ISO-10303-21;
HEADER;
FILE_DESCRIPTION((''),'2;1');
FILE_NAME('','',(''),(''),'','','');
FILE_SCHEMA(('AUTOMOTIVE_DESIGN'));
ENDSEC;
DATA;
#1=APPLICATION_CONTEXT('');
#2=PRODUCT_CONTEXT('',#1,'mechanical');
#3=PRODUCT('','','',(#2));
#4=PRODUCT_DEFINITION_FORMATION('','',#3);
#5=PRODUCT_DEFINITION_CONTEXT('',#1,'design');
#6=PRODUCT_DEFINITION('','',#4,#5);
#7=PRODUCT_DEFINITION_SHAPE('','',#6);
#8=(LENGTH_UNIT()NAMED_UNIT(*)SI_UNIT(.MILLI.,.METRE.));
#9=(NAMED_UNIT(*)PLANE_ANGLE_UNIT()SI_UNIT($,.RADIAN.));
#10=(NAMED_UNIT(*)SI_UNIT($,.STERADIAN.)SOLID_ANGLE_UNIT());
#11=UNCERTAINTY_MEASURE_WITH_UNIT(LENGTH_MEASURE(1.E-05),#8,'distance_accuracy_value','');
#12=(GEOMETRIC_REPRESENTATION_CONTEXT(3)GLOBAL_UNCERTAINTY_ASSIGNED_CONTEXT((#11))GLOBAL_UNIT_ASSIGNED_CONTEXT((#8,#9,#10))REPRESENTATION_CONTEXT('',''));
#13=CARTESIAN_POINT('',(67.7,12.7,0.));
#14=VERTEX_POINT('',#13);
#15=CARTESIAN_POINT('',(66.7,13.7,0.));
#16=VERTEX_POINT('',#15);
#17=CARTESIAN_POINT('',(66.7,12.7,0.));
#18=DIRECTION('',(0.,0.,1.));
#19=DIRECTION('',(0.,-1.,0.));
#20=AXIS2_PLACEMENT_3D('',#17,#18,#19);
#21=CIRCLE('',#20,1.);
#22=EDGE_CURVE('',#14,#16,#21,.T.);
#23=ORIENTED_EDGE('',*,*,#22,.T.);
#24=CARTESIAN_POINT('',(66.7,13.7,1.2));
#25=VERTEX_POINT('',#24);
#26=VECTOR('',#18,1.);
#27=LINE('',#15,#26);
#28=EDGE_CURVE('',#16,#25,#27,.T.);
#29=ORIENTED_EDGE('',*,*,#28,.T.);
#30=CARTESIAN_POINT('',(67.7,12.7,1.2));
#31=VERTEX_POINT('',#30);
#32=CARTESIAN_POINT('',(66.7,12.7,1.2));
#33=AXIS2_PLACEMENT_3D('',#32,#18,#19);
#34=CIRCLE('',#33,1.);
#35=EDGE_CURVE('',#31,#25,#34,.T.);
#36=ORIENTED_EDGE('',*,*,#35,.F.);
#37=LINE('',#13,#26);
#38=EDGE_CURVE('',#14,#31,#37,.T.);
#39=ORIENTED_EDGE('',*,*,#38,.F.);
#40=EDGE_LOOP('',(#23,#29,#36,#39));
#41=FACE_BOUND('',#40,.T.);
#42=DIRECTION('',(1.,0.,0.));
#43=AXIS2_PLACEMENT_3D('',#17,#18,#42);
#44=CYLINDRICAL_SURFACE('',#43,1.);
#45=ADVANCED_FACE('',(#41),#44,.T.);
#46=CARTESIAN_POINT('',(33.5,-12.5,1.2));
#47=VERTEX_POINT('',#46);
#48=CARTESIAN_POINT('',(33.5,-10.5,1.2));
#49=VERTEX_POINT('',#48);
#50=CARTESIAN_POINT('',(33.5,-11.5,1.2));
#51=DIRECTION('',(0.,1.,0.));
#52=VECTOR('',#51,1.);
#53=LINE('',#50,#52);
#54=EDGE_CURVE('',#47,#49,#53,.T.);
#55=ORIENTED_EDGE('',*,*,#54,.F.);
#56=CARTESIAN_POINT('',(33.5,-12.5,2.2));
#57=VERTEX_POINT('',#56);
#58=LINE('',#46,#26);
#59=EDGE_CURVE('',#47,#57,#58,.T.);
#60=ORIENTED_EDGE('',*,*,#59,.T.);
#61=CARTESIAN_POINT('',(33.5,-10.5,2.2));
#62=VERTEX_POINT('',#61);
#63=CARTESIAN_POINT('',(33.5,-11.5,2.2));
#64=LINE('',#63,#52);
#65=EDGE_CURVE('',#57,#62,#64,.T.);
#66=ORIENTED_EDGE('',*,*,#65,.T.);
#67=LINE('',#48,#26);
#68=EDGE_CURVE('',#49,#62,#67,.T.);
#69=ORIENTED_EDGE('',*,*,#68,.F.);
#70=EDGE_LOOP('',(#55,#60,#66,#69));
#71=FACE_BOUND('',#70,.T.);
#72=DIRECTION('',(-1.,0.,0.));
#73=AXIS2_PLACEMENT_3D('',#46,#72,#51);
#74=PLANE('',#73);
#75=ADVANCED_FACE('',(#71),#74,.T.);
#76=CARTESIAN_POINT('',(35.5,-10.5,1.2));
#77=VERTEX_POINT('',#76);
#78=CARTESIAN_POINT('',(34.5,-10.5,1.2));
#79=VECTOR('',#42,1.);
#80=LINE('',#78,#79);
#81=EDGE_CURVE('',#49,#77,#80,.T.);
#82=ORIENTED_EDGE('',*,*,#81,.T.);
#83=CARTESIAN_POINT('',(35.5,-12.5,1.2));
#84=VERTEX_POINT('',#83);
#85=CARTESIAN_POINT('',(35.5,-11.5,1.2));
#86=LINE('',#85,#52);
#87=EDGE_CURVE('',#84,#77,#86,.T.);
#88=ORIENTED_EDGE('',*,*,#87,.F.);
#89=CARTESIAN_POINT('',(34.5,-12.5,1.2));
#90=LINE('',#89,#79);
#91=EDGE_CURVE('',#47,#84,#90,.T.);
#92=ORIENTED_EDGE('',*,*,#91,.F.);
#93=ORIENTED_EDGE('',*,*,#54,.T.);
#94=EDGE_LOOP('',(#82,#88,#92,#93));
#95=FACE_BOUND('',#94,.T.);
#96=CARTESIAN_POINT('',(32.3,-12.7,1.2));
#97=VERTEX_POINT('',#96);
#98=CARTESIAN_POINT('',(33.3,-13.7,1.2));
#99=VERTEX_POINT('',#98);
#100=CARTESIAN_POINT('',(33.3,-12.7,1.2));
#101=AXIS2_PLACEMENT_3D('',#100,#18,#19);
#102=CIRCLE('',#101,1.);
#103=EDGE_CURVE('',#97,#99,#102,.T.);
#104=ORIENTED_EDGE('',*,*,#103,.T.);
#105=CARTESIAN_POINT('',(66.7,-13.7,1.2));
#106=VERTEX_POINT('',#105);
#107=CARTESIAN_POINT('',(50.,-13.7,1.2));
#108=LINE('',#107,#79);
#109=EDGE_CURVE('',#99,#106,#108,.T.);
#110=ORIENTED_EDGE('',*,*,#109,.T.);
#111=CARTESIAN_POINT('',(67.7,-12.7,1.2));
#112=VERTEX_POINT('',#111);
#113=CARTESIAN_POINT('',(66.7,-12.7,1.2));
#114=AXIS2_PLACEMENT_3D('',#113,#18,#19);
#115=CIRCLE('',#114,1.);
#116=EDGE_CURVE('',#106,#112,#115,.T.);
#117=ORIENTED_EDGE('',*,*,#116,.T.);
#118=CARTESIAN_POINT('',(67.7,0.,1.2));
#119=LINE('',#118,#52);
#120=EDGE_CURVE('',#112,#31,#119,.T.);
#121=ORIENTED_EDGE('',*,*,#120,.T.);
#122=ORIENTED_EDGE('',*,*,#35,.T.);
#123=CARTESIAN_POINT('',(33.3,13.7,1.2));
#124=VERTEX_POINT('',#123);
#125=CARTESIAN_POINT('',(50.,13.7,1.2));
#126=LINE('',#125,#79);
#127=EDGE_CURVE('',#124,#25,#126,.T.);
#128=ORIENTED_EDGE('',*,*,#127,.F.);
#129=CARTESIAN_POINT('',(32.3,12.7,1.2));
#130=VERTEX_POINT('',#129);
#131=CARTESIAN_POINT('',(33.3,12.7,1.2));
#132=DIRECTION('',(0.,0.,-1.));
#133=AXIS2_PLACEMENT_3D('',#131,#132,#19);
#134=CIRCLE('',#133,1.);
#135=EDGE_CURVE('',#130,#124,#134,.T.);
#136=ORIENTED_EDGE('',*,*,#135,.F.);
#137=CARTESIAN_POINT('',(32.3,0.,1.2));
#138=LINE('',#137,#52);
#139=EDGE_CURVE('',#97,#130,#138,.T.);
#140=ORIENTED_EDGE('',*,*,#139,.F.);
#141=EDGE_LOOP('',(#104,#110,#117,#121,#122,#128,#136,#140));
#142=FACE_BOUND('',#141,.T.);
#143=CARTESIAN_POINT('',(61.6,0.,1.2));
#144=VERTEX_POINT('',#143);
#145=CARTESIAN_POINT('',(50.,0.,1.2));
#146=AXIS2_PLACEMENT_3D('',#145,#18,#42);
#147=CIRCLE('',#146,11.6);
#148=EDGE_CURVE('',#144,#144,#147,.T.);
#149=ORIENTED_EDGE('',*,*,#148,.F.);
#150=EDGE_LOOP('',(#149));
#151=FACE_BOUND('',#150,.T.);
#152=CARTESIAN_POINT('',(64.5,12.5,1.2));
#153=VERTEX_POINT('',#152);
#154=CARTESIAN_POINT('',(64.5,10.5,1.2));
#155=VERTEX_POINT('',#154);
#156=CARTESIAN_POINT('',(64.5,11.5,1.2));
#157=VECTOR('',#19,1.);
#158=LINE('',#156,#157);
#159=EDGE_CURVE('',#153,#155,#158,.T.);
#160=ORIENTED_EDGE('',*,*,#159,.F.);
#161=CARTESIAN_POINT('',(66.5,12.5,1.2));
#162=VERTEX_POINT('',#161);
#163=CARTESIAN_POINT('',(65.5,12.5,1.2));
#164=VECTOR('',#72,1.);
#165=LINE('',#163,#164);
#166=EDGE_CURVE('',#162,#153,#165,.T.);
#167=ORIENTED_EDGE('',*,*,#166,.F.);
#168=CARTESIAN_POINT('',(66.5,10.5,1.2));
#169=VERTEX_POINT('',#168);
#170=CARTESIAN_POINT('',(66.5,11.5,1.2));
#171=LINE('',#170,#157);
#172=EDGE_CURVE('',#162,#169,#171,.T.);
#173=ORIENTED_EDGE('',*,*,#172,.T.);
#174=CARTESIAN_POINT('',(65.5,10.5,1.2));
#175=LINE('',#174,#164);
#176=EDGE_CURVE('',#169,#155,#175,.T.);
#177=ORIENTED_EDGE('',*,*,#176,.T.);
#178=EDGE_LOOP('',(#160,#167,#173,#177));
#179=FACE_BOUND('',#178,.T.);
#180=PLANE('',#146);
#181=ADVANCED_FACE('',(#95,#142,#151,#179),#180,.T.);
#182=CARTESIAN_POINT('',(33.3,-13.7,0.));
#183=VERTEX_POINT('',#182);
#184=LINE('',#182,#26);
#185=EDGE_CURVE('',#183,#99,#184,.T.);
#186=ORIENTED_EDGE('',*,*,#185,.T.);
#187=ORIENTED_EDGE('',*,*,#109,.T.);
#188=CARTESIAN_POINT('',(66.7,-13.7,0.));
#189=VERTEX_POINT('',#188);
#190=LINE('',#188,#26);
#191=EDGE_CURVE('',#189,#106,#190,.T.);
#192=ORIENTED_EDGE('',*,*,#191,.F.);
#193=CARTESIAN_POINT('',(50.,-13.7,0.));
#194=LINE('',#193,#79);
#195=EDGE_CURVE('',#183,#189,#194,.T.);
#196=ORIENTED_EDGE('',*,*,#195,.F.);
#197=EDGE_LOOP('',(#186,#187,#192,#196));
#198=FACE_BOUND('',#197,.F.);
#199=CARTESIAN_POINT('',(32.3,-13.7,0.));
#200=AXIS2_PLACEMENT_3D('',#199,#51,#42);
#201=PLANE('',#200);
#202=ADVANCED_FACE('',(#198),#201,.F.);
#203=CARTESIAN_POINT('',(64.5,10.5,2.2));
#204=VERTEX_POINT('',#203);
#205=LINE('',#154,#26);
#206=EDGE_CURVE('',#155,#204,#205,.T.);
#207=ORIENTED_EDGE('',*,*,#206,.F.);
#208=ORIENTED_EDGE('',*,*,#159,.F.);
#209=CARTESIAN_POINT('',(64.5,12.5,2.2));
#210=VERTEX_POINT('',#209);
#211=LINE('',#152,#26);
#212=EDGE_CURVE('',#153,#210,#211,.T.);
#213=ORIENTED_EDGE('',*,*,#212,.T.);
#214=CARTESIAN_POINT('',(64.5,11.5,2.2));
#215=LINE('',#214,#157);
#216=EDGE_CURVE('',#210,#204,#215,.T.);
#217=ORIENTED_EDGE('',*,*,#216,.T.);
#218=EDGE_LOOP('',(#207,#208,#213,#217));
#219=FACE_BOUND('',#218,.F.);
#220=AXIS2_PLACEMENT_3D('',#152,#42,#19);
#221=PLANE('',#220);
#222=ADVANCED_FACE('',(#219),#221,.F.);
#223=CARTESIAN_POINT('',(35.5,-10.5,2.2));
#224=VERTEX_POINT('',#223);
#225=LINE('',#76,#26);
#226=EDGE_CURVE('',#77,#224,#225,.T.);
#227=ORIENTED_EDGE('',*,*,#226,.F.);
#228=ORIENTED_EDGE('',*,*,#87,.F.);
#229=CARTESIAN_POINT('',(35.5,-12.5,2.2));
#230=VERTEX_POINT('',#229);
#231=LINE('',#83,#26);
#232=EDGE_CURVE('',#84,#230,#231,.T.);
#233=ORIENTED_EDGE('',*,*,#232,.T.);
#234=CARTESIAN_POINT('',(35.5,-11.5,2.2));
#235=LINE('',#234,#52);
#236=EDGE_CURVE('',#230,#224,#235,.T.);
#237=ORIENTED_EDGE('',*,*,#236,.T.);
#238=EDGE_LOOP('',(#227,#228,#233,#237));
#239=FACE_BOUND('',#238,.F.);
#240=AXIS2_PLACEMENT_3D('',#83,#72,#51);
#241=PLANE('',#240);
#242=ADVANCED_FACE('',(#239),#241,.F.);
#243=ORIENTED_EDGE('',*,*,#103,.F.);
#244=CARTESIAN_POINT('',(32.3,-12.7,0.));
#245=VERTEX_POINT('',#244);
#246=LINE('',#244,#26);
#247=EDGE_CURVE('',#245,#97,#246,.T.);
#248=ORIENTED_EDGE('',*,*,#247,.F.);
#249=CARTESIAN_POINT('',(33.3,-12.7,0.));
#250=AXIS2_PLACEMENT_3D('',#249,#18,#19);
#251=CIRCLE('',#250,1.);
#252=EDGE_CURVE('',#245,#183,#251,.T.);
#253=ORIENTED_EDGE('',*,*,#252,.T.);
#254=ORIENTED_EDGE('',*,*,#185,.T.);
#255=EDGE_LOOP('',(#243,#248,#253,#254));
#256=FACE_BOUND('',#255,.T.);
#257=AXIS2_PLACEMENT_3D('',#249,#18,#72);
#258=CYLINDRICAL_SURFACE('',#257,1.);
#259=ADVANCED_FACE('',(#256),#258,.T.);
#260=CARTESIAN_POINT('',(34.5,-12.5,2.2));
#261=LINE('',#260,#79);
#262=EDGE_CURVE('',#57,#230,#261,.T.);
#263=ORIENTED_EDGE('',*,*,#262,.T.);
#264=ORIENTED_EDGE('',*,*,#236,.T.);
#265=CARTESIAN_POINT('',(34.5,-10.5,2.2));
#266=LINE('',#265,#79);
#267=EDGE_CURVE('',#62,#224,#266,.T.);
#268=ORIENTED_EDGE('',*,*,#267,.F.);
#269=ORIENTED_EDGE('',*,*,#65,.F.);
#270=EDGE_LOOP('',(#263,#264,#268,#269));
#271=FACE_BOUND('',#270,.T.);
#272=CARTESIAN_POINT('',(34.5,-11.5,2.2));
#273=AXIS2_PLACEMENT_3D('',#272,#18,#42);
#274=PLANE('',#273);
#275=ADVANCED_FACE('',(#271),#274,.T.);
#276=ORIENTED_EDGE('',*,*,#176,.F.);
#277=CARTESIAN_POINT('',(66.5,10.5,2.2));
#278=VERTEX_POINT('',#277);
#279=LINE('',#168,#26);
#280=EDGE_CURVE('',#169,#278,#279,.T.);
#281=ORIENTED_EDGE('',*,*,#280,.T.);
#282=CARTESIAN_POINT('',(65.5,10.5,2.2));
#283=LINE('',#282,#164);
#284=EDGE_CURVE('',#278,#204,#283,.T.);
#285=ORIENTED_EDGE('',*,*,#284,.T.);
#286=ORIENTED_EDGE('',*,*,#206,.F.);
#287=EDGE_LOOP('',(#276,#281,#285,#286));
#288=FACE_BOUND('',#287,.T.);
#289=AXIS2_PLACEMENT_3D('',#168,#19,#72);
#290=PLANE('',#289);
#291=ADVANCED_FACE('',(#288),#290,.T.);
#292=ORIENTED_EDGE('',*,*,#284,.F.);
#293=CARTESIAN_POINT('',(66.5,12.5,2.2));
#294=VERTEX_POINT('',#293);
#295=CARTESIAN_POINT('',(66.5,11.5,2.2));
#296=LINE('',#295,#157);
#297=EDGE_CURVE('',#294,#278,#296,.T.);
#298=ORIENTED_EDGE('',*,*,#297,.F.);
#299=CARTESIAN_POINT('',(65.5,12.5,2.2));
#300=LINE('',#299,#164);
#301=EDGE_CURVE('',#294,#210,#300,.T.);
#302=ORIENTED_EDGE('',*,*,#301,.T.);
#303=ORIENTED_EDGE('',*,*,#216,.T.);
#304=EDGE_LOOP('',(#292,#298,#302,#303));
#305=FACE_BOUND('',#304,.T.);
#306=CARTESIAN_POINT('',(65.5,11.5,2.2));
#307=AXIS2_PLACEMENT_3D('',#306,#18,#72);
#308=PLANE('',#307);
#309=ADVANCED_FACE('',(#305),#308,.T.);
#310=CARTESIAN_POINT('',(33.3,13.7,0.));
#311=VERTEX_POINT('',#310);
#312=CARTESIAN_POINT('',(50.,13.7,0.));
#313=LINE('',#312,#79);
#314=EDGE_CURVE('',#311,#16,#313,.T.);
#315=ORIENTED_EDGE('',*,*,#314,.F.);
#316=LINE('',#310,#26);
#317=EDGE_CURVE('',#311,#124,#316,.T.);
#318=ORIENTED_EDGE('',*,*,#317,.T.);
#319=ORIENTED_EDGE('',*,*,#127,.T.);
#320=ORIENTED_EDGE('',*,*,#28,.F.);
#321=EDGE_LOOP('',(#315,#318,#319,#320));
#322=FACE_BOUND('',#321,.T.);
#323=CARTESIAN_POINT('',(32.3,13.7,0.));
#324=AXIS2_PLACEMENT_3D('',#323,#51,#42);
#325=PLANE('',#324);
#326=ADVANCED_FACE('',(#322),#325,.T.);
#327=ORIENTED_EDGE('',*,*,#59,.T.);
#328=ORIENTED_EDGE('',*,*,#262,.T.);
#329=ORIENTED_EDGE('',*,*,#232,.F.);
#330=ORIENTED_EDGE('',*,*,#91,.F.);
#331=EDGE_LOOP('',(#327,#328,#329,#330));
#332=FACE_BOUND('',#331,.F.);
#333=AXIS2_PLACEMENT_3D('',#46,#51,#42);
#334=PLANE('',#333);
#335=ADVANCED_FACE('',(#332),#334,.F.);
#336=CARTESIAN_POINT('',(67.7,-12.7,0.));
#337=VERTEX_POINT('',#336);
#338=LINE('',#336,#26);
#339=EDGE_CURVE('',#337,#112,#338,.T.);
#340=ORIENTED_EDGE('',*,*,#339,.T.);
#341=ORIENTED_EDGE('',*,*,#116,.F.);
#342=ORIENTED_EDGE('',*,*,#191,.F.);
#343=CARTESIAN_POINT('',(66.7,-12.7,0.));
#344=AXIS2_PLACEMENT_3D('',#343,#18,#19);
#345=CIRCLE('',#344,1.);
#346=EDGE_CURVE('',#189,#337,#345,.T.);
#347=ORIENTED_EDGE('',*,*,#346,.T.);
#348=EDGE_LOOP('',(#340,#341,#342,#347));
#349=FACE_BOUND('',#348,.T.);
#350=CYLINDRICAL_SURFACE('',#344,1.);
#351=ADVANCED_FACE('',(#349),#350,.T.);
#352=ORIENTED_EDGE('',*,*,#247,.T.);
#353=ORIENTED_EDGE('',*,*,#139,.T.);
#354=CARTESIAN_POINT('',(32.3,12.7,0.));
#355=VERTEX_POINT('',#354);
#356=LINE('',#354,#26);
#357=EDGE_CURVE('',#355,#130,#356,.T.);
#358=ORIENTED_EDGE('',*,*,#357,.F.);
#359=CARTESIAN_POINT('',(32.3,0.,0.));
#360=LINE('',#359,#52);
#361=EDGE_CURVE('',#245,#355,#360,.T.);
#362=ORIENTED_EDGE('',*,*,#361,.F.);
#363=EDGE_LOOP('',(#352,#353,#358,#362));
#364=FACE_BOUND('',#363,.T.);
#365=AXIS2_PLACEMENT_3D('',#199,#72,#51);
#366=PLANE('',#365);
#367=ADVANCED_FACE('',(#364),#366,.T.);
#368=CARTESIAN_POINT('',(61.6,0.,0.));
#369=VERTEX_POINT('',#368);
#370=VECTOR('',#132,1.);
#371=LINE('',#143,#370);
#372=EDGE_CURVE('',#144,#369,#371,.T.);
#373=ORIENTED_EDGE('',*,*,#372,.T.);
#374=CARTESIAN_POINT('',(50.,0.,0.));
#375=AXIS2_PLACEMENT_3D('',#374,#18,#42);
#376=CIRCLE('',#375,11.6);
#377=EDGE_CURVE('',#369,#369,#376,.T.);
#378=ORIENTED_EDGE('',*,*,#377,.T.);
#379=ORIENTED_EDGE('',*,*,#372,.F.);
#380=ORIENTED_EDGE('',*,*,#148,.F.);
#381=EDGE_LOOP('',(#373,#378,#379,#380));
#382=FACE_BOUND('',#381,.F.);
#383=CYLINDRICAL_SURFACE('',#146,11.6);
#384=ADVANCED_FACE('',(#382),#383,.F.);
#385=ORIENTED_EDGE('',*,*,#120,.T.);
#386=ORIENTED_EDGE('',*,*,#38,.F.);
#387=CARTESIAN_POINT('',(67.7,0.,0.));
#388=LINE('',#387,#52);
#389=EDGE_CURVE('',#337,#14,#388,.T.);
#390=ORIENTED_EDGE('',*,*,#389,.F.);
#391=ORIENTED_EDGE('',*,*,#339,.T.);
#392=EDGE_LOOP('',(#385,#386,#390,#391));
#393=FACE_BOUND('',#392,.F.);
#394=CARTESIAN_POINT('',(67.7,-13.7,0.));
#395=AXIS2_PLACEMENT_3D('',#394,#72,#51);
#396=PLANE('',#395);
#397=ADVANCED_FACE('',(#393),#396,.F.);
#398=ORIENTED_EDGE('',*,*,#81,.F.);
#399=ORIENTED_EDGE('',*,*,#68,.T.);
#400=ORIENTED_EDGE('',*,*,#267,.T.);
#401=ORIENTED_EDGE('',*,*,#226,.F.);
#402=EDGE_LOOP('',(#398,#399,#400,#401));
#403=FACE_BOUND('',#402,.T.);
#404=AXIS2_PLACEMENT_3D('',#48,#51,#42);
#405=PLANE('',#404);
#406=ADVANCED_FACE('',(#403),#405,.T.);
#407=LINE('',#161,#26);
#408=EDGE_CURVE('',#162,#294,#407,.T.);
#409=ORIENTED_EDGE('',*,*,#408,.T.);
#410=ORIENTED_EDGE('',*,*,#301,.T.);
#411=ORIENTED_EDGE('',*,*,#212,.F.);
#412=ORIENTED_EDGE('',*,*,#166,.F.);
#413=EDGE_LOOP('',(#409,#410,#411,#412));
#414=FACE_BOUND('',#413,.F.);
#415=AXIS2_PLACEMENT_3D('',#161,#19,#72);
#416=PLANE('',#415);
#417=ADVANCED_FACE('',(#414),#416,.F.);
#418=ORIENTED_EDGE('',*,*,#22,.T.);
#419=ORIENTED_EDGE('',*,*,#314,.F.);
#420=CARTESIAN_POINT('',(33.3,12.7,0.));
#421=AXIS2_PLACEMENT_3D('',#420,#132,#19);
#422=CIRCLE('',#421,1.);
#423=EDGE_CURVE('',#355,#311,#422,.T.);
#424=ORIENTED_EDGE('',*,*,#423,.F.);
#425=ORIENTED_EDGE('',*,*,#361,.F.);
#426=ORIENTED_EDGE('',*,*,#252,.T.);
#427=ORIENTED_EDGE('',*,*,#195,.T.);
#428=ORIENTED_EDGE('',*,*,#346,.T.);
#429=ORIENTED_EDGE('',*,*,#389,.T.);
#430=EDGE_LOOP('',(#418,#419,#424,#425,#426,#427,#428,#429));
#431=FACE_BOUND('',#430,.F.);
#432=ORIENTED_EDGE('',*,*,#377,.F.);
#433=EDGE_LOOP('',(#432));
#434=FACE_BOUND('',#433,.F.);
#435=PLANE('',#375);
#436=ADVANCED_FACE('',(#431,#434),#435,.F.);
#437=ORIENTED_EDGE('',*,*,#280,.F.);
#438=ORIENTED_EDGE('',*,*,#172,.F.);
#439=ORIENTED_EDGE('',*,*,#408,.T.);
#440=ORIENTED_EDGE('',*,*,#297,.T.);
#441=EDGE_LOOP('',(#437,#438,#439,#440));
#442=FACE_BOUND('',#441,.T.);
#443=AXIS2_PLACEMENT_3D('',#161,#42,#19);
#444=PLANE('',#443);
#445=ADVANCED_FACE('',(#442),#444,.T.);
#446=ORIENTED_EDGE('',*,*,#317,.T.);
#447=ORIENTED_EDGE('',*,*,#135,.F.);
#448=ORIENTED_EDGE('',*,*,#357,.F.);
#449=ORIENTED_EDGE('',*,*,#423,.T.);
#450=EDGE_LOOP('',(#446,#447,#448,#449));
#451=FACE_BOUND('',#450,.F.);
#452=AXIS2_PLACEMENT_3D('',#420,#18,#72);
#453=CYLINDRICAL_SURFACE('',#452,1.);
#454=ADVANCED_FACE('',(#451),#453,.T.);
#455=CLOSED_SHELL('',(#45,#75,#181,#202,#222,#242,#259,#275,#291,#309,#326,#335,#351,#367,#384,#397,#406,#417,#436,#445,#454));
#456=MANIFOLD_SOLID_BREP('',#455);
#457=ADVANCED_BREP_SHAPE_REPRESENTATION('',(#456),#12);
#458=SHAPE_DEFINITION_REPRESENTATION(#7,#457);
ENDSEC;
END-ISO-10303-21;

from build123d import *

# Parameters (mm, degrees)
SKETCH007_W        = 35.4
SKETCH007_H        = 27.4
PAD002_DEPTH       = 1.2
FILLET001_R        = 1
SKETCH008_R        = 11.6
POCKET003_DEPTH    = 1.201
SKETCH009_W        = 2
SKETCH009_H        = 2
PAD003_DEPTH       = 1
POLARPATTERN_COUNT = 2


with BuildPart() as part:
    # Sketch007 → Pad002 (new body)
    with BuildSketch(Plane.XY):
        Rectangle(SKETCH007_W, SKETCH007_H)
    extrude(amount=PAD002_DEPTH)

    # Fillet001
    fillet001_edges = [part.edges().sort_by_distance(p)[0] for p in [
        (-17.7, -13.7, 0.6),
        (17.7, -13.7, 0.6),
        (17.7, 13.7, 0.6),
        (-17.7, 13.7, 0.6),
    ]]
    fillet(fillet001_edges, radius=FILLET001_R)

    # Sketch008 (on Face5 of Fillet001) → Pocket003 (cut, through all)
    with BuildSketch(Plane.XY.offset(1.2)):
        Circle(SKETCH008_R)
    extrude(amount=-POCKET003_DEPTH, mode=Mode.SUBTRACT)

    # Sketch009 (on Face5 of Pocket003) → Pad003 (join)
    with BuildSketch(Plane.XY.offset(1.2)):
        with Locations((-15.5, -11.5)):
            Rectangle(SKETCH009_W, SKETCH009_H)
    pad003 = extrude(amount=PAD003_DEPTH)

    # PolarPattern: Pad003 ×2 about axis
    polarpattern_axis = Axis((0, 0, 1.2), (0, 0, 1))
    for i in range(1, POLARPATTERN_COUNT):
        add(pad003.rotate(polarpattern_axis, i * 360 / POLARPATTERN_COUNT))


with BuildPart() as part_1:
    # Body002 placement: moved
    add(part.part.moved(Location((50, 0, 0))))


solid = part_1.part
